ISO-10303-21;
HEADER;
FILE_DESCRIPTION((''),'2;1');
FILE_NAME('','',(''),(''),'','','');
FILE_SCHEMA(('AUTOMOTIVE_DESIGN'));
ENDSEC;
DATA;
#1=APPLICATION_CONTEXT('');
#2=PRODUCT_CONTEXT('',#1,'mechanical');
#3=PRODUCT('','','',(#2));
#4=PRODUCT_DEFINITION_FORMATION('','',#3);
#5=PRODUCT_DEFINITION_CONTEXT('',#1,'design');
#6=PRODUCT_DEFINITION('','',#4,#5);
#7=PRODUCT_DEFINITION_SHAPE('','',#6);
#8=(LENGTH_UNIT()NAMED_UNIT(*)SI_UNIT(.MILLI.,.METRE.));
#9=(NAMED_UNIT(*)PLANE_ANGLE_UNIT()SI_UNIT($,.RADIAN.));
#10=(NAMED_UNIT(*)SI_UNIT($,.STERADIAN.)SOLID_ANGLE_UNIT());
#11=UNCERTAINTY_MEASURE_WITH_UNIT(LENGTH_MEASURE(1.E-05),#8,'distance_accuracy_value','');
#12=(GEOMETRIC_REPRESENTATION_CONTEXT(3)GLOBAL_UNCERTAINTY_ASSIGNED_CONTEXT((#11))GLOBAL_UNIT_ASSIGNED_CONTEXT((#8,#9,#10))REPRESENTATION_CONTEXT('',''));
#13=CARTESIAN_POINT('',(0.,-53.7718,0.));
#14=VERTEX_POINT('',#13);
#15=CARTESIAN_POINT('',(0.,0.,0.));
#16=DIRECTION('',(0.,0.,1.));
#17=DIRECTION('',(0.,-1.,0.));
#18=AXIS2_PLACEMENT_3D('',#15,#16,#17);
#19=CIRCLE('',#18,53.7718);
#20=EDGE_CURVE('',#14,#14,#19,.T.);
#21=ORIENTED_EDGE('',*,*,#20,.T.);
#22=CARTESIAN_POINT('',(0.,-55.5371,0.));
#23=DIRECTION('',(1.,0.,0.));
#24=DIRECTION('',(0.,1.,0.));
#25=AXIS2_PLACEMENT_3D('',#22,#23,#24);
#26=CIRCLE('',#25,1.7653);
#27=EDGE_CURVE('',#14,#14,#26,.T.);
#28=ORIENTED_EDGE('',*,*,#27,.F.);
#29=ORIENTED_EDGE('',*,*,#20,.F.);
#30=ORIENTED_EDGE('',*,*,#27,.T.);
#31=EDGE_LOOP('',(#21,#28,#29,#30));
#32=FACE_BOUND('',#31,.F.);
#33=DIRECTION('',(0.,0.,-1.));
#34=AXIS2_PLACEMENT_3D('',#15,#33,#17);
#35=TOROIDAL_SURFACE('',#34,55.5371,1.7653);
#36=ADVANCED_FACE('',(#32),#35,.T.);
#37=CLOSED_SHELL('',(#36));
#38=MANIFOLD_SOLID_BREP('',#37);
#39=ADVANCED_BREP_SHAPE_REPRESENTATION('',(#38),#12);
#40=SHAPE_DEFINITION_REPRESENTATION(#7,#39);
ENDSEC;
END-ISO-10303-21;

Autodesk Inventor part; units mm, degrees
ref_plane "YZ Plane" through (0, 0, 0) normal (1, 0, 0) x (0, 1, 0)
ref_plane "XZ Plane" through (0, 0, 0) normal (0, 1, 0) x (-1, 0, 0)
ref_plane "XY Plane" through (0, 0, 0) normal (0, 0, 1) x (1, 0, 0)
sketch "Sketch12" plane through (0, 0, 0) normal (1, 0, 0) x (0, 1, 0)
  circle A0 centre (-55.5371, 0) radius 1.7653
  line L0 (0, -2.4714) -> (0, 2.4714) construction
  point P0 (0, 0)
  dimension "d70" = 3.5306
  dimension "d71" = 114.6048
revolve "Revolution2" add sketch "Sketch12" angle 360 about axis through (0, 0, -10) along (0, 0, 1)
properties part number "9452K194" material "VERO BLACK"
